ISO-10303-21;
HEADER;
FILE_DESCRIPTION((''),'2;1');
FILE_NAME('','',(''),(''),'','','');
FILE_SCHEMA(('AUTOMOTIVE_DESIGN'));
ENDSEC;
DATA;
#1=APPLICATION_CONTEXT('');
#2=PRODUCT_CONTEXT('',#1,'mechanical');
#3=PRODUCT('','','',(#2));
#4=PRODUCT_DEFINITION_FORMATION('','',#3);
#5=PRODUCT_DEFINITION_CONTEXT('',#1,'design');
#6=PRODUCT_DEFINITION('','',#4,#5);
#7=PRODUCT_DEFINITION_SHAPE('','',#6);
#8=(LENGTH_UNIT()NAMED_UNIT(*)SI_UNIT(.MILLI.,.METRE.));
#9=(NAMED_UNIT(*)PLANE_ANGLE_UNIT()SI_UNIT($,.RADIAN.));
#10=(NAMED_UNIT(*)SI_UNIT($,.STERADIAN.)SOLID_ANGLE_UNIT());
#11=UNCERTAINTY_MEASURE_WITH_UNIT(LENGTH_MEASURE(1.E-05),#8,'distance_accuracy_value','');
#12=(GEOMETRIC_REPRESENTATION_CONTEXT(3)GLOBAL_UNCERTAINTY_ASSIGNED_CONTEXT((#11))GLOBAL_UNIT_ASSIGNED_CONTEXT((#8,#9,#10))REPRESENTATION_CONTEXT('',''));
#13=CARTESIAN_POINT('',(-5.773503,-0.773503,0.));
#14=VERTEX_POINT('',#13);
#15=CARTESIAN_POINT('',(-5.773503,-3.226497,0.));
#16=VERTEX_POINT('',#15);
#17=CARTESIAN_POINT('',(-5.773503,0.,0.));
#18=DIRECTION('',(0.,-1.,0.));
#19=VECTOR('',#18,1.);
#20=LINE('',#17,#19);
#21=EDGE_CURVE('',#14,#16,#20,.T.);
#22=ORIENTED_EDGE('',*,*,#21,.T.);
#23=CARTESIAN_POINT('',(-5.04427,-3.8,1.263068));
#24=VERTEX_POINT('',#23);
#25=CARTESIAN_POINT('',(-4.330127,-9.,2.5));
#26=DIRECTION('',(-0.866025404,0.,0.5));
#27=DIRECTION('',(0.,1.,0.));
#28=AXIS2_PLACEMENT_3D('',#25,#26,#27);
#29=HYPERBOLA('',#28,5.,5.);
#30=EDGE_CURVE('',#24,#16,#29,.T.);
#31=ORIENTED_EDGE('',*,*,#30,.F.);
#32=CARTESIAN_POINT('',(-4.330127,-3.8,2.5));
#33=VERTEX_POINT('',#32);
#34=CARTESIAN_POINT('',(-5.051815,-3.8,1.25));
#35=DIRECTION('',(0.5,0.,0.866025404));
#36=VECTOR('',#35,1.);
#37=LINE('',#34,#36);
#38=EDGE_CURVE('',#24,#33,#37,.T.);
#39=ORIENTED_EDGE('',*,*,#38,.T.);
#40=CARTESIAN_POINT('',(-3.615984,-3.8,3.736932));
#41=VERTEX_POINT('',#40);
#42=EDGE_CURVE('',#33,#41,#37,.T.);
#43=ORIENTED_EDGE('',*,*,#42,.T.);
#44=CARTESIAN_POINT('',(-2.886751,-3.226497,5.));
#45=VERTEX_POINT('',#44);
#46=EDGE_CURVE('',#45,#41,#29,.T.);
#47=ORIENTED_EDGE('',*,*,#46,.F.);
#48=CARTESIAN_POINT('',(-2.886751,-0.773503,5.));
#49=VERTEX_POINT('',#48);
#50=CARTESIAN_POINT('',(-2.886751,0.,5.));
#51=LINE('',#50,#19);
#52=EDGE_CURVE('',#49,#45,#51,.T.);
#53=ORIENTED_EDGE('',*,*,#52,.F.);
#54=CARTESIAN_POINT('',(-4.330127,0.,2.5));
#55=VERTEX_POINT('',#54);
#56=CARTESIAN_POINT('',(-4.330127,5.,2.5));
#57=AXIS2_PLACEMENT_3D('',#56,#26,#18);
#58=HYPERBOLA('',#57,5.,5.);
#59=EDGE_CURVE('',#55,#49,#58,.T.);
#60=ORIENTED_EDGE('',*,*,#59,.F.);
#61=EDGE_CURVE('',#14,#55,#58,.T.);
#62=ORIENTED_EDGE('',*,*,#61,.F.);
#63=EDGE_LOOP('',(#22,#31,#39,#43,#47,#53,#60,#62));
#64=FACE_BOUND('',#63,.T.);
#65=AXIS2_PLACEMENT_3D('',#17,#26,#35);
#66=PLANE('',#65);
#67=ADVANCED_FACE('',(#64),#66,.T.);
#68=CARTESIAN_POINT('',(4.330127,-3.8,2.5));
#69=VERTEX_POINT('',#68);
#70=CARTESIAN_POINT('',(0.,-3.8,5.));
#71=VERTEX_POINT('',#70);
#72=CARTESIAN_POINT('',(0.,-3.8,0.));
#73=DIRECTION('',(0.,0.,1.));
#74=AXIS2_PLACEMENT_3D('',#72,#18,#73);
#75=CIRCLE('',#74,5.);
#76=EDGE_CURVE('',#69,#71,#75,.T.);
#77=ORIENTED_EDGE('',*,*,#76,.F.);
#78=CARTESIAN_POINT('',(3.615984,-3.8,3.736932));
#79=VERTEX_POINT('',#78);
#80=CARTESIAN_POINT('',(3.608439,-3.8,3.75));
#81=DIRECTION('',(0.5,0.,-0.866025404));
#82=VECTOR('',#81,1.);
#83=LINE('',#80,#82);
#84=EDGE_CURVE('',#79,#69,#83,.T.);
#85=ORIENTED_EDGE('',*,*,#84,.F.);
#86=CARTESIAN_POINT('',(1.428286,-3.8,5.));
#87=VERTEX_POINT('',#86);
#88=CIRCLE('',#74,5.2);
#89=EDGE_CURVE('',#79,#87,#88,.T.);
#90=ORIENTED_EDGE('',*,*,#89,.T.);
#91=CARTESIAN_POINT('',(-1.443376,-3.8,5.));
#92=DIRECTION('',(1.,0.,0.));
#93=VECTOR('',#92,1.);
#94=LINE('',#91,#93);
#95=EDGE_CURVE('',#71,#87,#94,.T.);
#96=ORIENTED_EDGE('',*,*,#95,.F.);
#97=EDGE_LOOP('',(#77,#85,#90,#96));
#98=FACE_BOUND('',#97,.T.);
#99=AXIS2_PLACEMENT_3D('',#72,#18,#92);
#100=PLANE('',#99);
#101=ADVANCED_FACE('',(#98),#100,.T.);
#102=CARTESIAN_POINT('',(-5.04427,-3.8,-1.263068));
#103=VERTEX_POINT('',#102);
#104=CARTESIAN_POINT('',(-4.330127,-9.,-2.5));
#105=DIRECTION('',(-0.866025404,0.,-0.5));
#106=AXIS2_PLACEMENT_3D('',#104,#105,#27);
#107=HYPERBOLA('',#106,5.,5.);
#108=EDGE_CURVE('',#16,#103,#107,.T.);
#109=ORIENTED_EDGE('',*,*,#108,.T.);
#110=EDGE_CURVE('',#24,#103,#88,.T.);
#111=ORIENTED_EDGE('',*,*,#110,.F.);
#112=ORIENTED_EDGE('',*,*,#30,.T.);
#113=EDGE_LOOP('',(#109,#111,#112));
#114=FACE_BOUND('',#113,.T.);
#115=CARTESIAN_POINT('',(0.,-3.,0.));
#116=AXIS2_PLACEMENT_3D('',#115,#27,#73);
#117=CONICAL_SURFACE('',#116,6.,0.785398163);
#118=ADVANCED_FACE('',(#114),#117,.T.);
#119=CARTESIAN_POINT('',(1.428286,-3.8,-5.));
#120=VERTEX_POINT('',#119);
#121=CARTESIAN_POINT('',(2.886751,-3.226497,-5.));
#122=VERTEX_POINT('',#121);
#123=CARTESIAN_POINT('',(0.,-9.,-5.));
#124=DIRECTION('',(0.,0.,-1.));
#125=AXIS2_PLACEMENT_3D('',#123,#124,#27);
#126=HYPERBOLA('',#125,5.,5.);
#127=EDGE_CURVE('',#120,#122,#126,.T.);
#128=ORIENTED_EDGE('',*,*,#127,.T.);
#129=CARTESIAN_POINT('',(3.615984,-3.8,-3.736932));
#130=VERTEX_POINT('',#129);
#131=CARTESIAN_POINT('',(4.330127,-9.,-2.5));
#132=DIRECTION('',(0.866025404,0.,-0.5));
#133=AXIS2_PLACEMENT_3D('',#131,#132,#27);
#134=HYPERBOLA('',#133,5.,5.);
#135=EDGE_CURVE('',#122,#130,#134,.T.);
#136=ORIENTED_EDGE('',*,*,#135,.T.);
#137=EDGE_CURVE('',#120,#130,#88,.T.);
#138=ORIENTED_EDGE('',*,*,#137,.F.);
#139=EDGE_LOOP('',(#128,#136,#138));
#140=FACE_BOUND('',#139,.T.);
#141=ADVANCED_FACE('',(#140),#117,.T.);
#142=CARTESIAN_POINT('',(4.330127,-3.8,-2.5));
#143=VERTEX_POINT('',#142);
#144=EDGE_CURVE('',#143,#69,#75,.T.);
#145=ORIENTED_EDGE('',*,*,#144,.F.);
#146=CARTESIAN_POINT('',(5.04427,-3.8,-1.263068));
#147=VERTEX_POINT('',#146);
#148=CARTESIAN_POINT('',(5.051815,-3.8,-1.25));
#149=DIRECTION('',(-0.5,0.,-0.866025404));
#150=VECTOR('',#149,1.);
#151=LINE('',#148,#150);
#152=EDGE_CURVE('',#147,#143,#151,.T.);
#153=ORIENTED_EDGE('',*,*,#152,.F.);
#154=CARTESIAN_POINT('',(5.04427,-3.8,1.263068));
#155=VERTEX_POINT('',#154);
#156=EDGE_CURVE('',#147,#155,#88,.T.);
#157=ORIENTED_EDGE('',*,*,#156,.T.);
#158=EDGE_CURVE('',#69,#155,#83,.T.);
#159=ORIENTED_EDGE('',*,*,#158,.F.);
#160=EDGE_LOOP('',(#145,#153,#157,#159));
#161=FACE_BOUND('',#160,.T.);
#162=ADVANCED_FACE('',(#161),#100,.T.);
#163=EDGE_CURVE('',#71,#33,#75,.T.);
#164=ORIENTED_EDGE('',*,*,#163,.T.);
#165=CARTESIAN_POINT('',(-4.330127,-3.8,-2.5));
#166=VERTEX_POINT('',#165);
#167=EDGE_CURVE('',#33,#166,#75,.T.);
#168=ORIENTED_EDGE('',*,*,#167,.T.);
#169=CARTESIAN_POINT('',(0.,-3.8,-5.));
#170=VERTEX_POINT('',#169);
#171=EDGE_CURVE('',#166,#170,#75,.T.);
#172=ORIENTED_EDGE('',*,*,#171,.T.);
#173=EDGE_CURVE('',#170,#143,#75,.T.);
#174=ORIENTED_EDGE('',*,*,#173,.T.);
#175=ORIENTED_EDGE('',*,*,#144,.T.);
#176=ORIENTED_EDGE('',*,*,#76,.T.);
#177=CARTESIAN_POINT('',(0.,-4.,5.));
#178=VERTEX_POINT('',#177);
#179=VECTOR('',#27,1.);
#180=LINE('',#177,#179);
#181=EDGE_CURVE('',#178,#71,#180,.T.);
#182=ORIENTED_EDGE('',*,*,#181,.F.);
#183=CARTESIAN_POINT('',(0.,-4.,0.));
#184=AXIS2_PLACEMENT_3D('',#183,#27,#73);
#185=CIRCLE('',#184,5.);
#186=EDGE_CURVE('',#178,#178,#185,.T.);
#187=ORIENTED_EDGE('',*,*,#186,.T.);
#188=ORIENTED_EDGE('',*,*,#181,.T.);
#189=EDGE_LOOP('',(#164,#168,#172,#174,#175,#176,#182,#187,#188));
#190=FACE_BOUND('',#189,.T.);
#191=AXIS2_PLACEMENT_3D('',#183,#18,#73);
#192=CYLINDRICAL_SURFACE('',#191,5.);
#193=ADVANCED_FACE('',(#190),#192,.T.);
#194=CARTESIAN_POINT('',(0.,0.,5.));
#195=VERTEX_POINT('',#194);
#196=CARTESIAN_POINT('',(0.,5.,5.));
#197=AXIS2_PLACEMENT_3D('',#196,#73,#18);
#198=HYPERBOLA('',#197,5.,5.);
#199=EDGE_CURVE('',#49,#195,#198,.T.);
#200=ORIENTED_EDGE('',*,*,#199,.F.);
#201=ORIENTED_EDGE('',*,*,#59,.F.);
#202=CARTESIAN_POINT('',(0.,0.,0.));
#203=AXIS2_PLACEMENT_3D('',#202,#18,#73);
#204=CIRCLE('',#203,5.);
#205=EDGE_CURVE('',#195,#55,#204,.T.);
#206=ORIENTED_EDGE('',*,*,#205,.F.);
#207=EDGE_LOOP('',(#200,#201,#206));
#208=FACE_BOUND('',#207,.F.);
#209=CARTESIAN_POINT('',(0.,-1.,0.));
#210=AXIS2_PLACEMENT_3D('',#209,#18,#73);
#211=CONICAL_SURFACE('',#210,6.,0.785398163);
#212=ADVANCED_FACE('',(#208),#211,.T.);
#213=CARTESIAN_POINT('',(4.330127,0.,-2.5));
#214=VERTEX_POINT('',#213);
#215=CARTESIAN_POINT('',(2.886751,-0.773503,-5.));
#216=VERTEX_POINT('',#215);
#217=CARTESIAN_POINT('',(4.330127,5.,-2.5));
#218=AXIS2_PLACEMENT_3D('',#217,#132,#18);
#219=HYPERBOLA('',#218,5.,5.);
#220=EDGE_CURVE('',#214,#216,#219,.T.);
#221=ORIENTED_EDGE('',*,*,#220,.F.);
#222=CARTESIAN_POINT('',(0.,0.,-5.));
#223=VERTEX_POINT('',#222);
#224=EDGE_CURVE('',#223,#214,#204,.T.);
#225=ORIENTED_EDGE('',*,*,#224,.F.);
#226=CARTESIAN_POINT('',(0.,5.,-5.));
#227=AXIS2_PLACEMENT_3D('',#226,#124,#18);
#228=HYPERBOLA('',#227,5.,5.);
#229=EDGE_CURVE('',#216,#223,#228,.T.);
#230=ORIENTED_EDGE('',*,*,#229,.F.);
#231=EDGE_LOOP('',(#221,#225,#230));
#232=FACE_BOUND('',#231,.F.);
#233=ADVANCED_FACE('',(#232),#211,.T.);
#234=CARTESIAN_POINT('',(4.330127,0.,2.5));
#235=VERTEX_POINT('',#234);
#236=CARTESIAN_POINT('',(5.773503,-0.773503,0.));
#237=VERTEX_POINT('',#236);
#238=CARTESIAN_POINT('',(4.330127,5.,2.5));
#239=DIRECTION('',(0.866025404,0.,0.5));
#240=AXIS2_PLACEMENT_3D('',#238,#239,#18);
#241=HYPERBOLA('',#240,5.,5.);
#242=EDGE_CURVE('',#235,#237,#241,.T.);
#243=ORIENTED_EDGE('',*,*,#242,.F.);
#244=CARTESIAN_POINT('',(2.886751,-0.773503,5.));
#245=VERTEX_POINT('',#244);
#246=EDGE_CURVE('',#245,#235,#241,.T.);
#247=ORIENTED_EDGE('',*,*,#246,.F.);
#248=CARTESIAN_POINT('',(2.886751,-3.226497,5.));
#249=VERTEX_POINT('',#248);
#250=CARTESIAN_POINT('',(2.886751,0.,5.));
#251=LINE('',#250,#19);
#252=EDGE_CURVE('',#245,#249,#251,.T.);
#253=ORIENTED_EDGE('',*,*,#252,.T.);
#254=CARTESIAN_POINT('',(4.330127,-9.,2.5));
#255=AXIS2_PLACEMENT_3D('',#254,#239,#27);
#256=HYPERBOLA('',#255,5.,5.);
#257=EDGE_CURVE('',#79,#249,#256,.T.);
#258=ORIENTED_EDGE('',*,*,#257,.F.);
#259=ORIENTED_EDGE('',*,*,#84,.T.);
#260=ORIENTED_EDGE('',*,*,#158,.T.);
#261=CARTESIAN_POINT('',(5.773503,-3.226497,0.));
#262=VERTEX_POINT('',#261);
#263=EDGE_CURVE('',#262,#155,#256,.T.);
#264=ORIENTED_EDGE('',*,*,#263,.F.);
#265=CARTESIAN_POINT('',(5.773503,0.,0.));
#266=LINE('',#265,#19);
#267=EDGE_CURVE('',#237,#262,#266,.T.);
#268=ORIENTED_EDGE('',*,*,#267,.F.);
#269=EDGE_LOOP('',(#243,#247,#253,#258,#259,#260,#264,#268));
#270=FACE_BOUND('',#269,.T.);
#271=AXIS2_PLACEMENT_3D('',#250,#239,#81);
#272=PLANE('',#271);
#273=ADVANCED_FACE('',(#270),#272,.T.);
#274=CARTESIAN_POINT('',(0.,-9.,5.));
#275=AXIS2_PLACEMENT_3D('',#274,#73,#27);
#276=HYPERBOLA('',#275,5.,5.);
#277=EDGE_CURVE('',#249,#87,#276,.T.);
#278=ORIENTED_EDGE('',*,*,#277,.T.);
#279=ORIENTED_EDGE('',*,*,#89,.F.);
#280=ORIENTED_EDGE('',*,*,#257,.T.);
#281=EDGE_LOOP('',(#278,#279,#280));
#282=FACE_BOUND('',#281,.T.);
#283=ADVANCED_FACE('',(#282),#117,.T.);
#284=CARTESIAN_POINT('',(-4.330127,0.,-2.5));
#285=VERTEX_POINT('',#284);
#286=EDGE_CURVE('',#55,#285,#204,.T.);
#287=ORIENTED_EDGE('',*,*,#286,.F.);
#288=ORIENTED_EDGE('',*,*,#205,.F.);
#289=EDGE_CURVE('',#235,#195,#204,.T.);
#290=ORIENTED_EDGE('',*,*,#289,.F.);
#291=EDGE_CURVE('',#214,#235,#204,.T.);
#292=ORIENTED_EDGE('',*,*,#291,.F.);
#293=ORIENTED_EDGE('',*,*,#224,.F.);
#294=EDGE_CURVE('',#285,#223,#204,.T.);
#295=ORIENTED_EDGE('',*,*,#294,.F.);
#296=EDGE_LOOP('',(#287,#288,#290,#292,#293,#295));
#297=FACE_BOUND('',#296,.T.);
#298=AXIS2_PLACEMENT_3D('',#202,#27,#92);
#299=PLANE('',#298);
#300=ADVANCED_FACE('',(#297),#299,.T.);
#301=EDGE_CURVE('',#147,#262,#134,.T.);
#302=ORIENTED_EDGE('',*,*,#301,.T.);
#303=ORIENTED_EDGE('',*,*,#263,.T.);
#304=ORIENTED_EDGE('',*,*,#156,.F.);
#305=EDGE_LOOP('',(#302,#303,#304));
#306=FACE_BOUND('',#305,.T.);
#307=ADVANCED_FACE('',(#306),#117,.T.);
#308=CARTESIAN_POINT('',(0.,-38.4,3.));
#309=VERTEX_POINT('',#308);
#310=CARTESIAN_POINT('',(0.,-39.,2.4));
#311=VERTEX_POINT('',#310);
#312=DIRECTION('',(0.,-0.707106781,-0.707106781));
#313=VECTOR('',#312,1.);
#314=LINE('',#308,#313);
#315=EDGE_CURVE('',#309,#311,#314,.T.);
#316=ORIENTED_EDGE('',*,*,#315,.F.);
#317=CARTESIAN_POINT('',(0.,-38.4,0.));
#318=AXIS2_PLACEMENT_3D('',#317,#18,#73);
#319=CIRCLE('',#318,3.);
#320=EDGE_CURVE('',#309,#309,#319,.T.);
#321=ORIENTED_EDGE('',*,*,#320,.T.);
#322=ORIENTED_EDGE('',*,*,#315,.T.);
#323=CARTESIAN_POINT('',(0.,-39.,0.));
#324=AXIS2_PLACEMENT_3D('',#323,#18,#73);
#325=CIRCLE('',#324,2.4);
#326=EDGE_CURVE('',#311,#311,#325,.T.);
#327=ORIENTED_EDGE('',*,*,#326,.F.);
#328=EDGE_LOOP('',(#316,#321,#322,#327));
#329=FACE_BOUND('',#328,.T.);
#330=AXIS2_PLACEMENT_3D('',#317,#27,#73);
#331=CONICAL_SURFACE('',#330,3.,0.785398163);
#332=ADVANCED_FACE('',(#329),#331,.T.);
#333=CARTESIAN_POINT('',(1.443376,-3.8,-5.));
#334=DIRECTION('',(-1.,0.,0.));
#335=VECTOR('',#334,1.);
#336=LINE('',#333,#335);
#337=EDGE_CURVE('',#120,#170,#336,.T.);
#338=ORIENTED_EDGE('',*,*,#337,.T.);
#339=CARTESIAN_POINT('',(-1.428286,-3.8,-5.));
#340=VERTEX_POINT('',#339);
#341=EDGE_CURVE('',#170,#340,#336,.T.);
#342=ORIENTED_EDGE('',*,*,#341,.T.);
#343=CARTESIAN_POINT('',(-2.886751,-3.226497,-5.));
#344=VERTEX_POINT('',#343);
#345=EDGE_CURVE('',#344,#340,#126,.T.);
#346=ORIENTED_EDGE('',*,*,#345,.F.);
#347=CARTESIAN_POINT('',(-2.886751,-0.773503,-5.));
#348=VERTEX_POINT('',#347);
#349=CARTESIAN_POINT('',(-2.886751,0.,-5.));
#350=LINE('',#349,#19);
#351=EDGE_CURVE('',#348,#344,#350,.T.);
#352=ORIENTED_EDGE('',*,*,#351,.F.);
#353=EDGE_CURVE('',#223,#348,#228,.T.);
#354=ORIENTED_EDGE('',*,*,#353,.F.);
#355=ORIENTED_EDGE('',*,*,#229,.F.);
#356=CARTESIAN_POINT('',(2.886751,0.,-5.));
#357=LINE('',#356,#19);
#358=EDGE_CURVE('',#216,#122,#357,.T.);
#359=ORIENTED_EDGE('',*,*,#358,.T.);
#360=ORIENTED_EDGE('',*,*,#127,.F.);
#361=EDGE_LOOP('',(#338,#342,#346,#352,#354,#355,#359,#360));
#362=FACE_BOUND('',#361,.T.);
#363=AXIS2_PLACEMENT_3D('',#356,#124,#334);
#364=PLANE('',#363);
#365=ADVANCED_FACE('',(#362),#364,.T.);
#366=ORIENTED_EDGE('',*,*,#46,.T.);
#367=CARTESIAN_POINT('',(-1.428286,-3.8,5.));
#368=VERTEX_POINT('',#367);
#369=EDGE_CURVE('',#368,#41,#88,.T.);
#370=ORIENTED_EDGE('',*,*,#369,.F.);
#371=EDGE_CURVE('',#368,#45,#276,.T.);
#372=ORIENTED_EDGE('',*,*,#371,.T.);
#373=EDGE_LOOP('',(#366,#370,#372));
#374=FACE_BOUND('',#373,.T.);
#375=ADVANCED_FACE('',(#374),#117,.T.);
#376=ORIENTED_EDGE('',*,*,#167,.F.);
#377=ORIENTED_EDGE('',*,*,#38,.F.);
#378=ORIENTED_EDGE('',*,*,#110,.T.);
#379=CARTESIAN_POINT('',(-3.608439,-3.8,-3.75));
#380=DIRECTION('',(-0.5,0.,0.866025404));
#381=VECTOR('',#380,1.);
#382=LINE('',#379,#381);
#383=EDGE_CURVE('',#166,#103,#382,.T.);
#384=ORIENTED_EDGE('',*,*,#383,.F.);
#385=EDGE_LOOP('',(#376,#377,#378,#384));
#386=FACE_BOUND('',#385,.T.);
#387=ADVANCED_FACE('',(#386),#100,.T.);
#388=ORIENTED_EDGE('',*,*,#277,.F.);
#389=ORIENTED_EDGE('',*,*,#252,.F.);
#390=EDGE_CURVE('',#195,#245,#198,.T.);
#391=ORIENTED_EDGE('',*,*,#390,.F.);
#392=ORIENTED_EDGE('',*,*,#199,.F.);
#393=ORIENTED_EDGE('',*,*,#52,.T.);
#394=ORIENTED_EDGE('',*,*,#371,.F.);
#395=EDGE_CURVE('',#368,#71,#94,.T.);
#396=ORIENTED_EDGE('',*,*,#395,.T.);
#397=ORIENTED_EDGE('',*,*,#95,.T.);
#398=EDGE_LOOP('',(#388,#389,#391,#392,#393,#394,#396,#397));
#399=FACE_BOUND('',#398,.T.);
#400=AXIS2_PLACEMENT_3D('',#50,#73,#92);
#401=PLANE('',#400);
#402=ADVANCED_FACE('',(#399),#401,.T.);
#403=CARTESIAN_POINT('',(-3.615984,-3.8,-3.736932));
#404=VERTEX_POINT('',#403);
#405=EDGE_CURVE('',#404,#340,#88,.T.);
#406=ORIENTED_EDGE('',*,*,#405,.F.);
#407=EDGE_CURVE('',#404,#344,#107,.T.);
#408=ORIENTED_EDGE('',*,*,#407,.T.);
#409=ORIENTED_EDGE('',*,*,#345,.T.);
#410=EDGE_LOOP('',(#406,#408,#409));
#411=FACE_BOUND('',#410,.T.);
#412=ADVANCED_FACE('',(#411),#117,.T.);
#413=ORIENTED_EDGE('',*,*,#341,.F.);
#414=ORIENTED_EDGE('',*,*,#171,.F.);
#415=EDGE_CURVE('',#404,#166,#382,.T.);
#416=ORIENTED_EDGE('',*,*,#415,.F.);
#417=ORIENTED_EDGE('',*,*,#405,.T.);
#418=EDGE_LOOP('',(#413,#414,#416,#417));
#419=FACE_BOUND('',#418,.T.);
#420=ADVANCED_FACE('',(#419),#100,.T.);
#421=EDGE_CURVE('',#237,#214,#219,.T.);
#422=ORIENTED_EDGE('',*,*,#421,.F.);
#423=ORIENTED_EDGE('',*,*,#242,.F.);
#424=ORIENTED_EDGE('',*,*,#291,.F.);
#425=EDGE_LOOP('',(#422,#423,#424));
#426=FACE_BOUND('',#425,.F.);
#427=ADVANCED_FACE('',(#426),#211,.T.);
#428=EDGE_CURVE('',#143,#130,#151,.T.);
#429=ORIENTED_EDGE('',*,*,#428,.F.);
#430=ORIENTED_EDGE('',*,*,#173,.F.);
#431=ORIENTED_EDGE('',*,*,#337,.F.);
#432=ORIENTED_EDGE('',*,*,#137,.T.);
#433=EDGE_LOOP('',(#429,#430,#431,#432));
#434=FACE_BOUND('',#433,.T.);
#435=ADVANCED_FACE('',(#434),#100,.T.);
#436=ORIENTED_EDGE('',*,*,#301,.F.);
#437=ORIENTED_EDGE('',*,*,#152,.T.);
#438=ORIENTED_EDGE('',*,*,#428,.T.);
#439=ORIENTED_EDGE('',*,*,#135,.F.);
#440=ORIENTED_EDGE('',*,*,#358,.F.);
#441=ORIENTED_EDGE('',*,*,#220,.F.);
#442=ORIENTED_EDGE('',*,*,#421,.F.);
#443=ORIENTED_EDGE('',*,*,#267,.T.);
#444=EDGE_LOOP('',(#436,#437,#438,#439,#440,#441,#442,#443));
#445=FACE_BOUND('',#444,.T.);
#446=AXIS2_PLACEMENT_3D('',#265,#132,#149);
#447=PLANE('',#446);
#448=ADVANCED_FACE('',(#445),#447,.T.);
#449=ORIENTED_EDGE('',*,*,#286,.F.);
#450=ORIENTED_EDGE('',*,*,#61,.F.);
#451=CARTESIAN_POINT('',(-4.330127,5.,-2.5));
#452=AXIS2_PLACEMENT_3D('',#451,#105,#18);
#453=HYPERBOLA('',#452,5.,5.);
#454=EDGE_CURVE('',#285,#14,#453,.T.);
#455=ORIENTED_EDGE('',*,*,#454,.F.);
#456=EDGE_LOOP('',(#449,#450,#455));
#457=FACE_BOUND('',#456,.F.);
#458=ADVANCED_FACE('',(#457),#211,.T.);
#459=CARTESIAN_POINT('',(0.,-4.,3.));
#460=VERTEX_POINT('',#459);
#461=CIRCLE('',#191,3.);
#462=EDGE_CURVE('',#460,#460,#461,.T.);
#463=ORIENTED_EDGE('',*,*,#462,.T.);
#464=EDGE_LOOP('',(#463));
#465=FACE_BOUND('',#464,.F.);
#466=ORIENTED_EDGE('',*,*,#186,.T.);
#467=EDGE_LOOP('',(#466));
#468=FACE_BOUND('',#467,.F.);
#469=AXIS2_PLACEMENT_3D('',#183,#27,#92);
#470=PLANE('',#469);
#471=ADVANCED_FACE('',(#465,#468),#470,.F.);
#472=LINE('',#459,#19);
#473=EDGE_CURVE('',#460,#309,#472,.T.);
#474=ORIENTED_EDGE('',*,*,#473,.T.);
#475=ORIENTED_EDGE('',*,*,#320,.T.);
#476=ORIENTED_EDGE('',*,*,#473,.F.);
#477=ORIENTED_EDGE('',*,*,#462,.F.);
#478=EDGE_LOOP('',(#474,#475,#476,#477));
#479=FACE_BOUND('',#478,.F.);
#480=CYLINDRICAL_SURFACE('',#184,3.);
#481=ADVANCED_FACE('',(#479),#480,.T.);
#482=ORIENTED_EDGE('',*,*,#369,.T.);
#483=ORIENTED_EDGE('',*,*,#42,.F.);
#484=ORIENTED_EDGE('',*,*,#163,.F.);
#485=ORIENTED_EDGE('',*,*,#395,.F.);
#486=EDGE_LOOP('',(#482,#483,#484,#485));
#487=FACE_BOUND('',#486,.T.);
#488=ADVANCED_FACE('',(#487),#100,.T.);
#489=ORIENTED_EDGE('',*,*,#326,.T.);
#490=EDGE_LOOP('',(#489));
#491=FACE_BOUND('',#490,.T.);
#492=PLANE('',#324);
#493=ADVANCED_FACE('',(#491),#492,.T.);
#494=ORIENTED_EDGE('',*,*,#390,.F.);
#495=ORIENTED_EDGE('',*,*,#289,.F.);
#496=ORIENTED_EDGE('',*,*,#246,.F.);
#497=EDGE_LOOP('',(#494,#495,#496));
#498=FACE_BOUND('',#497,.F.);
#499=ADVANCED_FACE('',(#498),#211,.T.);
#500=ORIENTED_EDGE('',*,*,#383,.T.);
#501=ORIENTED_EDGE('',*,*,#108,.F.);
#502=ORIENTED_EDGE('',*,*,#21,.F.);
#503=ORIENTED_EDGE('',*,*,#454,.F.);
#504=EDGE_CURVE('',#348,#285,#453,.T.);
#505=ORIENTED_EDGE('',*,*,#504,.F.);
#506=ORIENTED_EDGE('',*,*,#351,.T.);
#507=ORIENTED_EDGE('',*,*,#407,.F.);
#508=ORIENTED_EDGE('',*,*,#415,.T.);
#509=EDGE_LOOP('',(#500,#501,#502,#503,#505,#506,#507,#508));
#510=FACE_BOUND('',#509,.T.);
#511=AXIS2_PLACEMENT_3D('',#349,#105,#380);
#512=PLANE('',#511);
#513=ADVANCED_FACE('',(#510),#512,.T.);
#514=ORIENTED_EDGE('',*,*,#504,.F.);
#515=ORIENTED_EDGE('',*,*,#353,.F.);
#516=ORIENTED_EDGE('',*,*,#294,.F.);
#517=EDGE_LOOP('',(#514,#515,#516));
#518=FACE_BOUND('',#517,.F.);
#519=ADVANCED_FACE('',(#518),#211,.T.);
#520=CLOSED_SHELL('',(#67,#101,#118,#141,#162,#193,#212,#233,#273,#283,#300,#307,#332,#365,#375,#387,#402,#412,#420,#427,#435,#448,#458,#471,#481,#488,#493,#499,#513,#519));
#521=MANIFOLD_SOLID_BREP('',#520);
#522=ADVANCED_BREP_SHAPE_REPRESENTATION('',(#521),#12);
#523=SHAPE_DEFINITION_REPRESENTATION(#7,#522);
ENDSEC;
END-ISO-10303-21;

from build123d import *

# Parameters (mm, degrees)
BOSS_EXTRUDE1_DEPTH = 4
SKETCH2_OUTSIDE_W   = 16.706
SKETCH2_OUTSIDE_H   = 15.158
SKETCH2_OUTSIDE_R   = 5
CUT_EXTRUDE1_DEPTH  = 0.2
SKETCH3_R           = 3
BOSS_EXTRUDE2_DEPTH = 35
CHAMFER1_SIZE       = 0.6


with BuildPart() as part:
    # Sketch1 → Boss-Extrude1 (new body)
    with BuildSketch(Plane(origin=(0, 0, 0), x_dir=(1, 0, 0), z_dir=(0, 1, 0))):
        Polygon((5.773502692, 0), (2.886751346, 5), (-2.886751346, 5), (-5.773502692, 0), (-2.886751346, -5), (2.886751346, -5), align=None)
    extrude(amount=-BOSS_EXTRUDE1_DEPTH)

    # Sketch4 → Cut-Revolve1 (revolve, cut)
    with BuildSketch(Plane(origin=(0, 0, 0), x_dir=(0, 0, -1), z_dir=(1, 0, 0))):
        Polygon((-5, 0), (-6, 0), (-6, -1), align=None)
        Polygon((-6, -3), (-5, -4), (-6, -4), align=None)
    revolve(axis=Axis((0, 0, 0), (0, -1, 0)), mode=Mode.SUBTRACT)

    # Sketch2 outside → Cut-Extrude1 (cut)
    with BuildSketch(Plane.XZ.offset(4)):
        Rectangle(SKETCH2_OUTSIDE_W, SKETCH2_OUTSIDE_H)
        with Locations(Location((0, 0, 0), (0, 0, 90))):
            Circle(SKETCH2_OUTSIDE_R, mode=Mode.SUBTRACT)
    extrude(amount=-CUT_EXTRUDE1_DEPTH, mode=Mode.SUBTRACT)

    # Sketch3 → Boss-Extrude2 (add)
    with BuildSketch(Plane.XZ.offset(4)):
        with Locations(Location((0, 0, 0), (0, 0, 90))):
            Circle(SKETCH3_R)
    extrude(amount=BOSS_EXTRUDE2_DEPTH)

    # Chamfer1
    chamfer1_edges = [part.edges().sort_by_distance(p)[0] for p in [
        (0, -39, -3),
    ]]
    chamfer(chamfer1_edges, length=CHAMFER1_SIZE)


solid = part.part
